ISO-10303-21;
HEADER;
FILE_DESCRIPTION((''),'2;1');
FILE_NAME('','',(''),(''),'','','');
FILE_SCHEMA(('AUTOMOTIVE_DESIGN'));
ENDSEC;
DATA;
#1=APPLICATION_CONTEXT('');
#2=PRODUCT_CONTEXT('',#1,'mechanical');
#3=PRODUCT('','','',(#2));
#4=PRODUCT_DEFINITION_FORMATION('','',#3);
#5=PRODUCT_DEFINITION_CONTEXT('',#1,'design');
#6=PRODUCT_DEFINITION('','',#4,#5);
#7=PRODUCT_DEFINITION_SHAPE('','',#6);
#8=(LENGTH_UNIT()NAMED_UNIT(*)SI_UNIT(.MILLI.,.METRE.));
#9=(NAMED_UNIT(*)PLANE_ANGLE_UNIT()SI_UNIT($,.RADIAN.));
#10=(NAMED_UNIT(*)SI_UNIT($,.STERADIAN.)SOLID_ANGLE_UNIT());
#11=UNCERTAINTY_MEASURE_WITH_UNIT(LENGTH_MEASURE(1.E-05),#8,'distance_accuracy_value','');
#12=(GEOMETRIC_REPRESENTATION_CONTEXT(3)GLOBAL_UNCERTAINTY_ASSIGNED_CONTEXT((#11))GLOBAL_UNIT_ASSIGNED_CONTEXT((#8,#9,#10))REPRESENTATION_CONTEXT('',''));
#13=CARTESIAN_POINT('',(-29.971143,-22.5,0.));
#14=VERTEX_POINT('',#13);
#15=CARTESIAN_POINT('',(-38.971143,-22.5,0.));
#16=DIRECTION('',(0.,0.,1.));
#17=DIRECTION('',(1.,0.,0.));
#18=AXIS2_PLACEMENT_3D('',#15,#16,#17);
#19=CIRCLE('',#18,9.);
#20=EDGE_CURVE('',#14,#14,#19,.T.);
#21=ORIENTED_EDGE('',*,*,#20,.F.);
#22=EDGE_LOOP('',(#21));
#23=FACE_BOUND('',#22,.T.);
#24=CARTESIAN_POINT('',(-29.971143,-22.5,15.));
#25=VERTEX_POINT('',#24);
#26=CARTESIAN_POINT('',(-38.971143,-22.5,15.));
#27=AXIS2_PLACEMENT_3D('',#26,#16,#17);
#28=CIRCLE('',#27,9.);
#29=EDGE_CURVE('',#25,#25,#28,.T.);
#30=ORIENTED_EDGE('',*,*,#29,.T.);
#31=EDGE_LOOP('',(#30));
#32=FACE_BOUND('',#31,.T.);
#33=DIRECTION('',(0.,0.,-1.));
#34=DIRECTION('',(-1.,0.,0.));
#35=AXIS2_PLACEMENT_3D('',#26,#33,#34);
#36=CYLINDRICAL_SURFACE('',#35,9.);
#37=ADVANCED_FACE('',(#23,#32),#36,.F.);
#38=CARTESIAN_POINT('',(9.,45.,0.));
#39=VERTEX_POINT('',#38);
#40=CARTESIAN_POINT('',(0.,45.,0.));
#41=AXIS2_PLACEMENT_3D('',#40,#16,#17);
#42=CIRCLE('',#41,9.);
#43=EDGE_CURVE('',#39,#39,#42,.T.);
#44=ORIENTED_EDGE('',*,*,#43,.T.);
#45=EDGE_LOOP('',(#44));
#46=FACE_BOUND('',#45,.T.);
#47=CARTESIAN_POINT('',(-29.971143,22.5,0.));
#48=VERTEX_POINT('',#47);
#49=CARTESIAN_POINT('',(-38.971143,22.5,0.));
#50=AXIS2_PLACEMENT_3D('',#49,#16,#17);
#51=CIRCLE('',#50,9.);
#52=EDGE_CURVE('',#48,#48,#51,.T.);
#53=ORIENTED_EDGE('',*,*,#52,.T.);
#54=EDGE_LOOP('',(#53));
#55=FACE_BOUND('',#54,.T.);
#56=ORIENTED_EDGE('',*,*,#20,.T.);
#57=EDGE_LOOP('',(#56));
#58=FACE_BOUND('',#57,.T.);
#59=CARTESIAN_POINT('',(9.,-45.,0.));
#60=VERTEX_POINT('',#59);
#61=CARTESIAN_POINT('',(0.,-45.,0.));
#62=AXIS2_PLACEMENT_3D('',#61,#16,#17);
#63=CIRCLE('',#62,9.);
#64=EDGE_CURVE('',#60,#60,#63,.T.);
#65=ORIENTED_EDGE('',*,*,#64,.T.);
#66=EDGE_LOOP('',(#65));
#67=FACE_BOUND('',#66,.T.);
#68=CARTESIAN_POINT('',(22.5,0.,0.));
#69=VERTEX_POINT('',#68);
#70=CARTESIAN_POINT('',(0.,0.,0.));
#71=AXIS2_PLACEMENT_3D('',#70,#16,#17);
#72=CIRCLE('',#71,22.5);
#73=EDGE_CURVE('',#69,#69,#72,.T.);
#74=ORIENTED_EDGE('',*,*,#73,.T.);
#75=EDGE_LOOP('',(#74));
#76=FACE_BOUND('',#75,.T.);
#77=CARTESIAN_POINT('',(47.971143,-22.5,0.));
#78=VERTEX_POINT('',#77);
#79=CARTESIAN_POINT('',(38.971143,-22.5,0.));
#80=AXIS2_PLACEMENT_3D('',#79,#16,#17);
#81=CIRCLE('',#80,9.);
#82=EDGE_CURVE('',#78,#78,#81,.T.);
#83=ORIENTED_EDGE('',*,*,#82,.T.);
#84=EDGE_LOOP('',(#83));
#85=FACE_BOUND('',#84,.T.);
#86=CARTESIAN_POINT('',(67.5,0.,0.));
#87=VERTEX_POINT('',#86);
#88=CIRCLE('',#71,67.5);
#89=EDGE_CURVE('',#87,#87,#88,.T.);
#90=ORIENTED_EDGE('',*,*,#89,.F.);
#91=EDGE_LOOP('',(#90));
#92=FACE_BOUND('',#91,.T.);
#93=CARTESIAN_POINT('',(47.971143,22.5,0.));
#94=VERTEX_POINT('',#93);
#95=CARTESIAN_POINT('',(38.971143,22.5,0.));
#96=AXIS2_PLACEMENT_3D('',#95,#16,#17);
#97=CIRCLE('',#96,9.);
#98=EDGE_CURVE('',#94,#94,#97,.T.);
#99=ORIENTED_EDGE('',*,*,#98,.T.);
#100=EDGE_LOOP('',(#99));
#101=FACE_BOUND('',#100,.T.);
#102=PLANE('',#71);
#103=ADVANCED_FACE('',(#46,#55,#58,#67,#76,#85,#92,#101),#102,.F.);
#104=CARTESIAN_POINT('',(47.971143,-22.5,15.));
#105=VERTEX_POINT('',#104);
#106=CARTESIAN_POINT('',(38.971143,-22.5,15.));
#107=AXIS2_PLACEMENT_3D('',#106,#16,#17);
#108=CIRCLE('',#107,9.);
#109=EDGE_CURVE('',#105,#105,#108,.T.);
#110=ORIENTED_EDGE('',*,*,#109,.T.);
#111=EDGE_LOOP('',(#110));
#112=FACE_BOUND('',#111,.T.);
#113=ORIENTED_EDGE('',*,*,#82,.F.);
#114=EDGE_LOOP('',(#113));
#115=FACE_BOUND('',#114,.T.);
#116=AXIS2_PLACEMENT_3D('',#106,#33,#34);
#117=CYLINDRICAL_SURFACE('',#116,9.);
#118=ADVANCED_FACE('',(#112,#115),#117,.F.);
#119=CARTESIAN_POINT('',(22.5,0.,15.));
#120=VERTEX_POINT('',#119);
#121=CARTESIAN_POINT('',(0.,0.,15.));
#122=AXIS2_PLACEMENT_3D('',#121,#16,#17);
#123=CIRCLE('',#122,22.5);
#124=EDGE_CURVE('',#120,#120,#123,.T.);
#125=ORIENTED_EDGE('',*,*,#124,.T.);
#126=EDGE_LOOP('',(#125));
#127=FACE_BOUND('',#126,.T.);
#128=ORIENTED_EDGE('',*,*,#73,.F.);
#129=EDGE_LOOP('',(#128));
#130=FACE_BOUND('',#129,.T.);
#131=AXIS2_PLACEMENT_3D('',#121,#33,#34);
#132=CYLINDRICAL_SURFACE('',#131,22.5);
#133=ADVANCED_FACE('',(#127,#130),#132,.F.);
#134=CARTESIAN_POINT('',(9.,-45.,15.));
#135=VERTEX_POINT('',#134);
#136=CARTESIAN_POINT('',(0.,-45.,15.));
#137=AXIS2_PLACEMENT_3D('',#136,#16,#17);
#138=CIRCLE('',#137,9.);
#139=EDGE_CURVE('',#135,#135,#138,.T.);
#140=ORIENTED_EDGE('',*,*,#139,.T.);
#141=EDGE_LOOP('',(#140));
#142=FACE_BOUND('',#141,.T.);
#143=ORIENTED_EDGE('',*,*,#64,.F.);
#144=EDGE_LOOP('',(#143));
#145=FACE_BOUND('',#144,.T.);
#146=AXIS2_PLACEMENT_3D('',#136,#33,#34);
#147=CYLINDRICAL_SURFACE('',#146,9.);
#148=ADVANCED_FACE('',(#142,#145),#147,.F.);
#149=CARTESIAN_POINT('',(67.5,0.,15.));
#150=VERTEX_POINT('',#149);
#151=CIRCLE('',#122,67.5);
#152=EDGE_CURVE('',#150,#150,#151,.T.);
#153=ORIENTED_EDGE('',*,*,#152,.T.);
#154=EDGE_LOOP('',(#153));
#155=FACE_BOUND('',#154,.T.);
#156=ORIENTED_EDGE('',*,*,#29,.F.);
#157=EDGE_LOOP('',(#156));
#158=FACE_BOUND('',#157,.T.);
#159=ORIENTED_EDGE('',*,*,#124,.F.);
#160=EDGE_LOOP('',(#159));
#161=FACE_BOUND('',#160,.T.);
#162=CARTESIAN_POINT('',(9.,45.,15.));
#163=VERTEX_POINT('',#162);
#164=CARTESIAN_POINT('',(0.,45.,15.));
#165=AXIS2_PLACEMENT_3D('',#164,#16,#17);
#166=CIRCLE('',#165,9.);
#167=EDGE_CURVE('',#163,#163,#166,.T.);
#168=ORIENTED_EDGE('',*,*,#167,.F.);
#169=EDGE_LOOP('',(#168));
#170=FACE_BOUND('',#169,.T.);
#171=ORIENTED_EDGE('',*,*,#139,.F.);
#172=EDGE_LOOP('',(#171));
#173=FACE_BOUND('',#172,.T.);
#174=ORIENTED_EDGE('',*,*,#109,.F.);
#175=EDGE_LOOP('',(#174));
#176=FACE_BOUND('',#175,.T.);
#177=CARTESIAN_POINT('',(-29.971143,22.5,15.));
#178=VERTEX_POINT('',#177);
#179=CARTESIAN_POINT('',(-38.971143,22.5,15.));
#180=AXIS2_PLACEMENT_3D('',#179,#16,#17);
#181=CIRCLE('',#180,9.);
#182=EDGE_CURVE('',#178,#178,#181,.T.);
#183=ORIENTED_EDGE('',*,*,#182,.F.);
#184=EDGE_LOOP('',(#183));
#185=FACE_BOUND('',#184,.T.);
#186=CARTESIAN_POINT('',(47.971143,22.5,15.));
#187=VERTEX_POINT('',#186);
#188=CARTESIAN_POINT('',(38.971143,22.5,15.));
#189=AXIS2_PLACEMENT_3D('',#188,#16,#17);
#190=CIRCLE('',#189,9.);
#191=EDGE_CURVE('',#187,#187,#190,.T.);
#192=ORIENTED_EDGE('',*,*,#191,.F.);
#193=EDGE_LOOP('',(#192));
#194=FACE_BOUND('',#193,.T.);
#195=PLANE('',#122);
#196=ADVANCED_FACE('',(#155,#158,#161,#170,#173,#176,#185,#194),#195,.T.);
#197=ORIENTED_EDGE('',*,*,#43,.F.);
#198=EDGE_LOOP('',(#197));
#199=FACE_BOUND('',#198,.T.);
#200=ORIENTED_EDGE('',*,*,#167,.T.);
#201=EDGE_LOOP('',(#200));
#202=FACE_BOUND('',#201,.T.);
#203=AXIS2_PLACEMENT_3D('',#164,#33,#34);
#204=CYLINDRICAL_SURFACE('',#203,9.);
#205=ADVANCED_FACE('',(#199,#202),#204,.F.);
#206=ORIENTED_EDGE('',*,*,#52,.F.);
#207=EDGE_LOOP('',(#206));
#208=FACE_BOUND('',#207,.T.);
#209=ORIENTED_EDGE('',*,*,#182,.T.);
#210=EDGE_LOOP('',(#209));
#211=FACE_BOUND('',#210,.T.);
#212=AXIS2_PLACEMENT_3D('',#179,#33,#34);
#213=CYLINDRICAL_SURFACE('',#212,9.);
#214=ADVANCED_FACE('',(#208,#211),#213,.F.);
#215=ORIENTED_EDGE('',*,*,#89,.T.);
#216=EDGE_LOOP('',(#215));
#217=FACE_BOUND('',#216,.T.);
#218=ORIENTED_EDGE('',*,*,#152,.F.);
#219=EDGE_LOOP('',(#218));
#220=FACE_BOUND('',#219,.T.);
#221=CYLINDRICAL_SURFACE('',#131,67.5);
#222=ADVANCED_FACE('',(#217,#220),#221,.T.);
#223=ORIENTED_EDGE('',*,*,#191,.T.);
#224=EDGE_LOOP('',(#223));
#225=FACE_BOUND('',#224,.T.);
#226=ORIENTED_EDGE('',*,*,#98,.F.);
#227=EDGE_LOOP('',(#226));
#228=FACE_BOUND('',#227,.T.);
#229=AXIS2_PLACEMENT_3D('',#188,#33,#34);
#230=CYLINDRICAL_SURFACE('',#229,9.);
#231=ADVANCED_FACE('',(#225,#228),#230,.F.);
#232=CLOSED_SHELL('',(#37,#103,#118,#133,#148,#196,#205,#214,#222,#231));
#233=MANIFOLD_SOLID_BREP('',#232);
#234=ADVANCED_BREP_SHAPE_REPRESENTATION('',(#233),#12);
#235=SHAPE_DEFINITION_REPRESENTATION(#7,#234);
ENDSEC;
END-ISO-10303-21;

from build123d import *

# Parameters (mm, degrees)
SKETCH1_R           = 67.5
SKETCH1_R_2         = 22.5
SKETCH1_R_3         = 9
BOSS_EXTRUDE1_DEPTH = 15


with BuildPart() as part:
    # Sketch1 → Boss-Extrude1 (new body)
    with BuildSketch(Plane.XY):
        Circle(SKETCH1_R)
        Circle(SKETCH1_R_2, mode=Mode.SUBTRACT)
        with Locations((0, -45)):
            Circle(SKETCH1_R_3, mode=Mode.SUBTRACT)
        with Locations((38.97114317, -22.5)):
            Circle(SKETCH1_R_3, mode=Mode.SUBTRACT)
        with Locations((38.97114317, 22.5)):
            Circle(SKETCH1_R_3, mode=Mode.SUBTRACT)
        with Locations((0, 45)):
            Circle(SKETCH1_R_3, mode=Mode.SUBTRACT)
        with Locations((-38.97114317, 22.5)):
            Circle(SKETCH1_R_3, mode=Mode.SUBTRACT)
        with Locations((-38.97114317, -22.5)):
            Circle(SKETCH1_R_3, mode=Mode.SUBTRACT)
    extrude(amount=BOSS_EXTRUDE1_DEPTH)


solid = part.part
